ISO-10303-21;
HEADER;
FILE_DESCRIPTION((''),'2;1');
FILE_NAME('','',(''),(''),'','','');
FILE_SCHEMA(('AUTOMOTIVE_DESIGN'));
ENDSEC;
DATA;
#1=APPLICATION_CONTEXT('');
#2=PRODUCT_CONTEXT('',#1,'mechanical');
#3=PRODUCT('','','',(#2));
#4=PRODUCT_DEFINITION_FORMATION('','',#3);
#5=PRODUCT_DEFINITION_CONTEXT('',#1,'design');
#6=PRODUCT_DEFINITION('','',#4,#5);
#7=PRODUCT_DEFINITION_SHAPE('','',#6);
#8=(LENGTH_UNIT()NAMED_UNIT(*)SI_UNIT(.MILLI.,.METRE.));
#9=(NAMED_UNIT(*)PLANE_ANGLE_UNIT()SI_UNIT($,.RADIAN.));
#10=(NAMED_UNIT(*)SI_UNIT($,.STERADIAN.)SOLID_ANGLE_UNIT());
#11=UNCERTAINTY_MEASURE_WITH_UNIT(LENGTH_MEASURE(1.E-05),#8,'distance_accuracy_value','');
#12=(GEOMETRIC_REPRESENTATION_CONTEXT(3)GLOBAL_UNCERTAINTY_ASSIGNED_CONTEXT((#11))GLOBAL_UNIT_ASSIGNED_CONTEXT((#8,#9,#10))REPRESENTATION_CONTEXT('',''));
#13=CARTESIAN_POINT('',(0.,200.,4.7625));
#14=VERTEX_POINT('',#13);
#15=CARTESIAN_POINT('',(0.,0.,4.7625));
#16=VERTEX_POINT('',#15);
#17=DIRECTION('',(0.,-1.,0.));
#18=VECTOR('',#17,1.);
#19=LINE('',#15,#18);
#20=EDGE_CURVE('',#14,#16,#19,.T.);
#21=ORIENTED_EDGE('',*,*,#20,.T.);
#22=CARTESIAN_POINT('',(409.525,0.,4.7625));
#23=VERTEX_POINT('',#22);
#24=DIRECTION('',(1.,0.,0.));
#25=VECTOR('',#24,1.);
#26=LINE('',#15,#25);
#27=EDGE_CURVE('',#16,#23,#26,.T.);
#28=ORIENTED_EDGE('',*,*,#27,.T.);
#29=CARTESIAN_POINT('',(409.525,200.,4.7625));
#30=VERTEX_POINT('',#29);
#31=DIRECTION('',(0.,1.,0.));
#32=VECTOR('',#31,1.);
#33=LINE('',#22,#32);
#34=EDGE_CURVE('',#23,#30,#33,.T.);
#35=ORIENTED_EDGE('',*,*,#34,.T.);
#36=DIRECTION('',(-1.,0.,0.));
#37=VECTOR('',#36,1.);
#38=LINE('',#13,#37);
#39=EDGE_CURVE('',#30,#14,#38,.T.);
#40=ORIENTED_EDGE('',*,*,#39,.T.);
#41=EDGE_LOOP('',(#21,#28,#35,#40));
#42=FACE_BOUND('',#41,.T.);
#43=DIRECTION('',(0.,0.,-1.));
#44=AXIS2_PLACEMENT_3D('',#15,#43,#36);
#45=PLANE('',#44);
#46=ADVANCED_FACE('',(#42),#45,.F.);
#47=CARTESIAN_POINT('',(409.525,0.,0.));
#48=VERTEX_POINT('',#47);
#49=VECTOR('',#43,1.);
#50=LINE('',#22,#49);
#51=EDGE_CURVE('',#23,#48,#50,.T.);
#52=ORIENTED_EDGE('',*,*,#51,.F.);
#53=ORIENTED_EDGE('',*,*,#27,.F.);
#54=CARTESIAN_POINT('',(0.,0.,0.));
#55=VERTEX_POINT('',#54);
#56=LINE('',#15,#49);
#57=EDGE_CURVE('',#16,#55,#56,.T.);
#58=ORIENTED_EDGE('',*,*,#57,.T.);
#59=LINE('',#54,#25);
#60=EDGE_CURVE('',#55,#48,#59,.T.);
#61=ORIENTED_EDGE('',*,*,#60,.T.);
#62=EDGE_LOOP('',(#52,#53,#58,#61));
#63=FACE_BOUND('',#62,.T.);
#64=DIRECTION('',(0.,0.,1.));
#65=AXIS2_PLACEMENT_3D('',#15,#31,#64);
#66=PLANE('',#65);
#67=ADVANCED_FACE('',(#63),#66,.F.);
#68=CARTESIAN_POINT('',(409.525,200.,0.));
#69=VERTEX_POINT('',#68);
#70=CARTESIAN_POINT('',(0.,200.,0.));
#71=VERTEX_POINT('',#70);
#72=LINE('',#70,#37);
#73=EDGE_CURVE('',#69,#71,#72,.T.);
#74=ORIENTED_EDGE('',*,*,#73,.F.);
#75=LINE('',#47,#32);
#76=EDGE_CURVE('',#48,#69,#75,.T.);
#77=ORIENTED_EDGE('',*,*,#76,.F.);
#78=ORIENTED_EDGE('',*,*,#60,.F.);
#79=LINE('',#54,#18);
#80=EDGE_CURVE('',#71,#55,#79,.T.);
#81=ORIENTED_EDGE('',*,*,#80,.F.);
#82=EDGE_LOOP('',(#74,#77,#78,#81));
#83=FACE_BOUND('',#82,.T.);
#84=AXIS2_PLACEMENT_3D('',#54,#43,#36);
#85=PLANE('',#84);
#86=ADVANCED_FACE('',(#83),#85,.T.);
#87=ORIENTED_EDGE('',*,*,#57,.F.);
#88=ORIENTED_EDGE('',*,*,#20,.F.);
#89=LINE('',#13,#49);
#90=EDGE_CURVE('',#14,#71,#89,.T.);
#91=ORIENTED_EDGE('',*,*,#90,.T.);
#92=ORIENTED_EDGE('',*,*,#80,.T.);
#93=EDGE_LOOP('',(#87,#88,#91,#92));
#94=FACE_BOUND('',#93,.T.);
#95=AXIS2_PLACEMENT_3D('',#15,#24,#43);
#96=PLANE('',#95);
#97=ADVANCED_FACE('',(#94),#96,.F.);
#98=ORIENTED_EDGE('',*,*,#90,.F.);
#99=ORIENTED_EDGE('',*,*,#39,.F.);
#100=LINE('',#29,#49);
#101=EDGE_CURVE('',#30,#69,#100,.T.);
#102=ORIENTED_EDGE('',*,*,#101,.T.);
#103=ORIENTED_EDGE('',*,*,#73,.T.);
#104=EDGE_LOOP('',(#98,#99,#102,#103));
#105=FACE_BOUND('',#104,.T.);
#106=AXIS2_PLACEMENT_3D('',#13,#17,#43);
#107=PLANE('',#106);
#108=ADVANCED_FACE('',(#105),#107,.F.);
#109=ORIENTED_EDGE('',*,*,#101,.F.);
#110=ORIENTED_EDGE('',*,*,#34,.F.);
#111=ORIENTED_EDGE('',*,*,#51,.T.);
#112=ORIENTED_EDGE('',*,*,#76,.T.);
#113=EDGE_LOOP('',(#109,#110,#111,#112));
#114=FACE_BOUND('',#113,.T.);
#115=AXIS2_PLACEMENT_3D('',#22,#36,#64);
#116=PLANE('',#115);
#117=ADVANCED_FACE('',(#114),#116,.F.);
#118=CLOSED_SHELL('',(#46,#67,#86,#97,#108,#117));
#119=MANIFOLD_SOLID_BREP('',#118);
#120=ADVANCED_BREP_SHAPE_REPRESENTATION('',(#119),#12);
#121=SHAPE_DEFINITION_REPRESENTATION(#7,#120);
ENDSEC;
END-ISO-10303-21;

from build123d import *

# Parameters (mm, degrees)
CROQUIS1_W              = 409.525
CROQUIS1_H              = 200
SALIENTE_EXTRUIR5_DEPTH = 4.7625


with BuildPart() as part:
    # Croquis1 → Saliente-Extruir5 (new body)
    with BuildSketch(Plane.XY):
        with Locations((204.7625, 100)):
            Rectangle(CROQUIS1_W, CROQUIS1_H)
    extrude(amount=SALIENTE_EXTRUIR5_DEPTH)


solid = part.part
